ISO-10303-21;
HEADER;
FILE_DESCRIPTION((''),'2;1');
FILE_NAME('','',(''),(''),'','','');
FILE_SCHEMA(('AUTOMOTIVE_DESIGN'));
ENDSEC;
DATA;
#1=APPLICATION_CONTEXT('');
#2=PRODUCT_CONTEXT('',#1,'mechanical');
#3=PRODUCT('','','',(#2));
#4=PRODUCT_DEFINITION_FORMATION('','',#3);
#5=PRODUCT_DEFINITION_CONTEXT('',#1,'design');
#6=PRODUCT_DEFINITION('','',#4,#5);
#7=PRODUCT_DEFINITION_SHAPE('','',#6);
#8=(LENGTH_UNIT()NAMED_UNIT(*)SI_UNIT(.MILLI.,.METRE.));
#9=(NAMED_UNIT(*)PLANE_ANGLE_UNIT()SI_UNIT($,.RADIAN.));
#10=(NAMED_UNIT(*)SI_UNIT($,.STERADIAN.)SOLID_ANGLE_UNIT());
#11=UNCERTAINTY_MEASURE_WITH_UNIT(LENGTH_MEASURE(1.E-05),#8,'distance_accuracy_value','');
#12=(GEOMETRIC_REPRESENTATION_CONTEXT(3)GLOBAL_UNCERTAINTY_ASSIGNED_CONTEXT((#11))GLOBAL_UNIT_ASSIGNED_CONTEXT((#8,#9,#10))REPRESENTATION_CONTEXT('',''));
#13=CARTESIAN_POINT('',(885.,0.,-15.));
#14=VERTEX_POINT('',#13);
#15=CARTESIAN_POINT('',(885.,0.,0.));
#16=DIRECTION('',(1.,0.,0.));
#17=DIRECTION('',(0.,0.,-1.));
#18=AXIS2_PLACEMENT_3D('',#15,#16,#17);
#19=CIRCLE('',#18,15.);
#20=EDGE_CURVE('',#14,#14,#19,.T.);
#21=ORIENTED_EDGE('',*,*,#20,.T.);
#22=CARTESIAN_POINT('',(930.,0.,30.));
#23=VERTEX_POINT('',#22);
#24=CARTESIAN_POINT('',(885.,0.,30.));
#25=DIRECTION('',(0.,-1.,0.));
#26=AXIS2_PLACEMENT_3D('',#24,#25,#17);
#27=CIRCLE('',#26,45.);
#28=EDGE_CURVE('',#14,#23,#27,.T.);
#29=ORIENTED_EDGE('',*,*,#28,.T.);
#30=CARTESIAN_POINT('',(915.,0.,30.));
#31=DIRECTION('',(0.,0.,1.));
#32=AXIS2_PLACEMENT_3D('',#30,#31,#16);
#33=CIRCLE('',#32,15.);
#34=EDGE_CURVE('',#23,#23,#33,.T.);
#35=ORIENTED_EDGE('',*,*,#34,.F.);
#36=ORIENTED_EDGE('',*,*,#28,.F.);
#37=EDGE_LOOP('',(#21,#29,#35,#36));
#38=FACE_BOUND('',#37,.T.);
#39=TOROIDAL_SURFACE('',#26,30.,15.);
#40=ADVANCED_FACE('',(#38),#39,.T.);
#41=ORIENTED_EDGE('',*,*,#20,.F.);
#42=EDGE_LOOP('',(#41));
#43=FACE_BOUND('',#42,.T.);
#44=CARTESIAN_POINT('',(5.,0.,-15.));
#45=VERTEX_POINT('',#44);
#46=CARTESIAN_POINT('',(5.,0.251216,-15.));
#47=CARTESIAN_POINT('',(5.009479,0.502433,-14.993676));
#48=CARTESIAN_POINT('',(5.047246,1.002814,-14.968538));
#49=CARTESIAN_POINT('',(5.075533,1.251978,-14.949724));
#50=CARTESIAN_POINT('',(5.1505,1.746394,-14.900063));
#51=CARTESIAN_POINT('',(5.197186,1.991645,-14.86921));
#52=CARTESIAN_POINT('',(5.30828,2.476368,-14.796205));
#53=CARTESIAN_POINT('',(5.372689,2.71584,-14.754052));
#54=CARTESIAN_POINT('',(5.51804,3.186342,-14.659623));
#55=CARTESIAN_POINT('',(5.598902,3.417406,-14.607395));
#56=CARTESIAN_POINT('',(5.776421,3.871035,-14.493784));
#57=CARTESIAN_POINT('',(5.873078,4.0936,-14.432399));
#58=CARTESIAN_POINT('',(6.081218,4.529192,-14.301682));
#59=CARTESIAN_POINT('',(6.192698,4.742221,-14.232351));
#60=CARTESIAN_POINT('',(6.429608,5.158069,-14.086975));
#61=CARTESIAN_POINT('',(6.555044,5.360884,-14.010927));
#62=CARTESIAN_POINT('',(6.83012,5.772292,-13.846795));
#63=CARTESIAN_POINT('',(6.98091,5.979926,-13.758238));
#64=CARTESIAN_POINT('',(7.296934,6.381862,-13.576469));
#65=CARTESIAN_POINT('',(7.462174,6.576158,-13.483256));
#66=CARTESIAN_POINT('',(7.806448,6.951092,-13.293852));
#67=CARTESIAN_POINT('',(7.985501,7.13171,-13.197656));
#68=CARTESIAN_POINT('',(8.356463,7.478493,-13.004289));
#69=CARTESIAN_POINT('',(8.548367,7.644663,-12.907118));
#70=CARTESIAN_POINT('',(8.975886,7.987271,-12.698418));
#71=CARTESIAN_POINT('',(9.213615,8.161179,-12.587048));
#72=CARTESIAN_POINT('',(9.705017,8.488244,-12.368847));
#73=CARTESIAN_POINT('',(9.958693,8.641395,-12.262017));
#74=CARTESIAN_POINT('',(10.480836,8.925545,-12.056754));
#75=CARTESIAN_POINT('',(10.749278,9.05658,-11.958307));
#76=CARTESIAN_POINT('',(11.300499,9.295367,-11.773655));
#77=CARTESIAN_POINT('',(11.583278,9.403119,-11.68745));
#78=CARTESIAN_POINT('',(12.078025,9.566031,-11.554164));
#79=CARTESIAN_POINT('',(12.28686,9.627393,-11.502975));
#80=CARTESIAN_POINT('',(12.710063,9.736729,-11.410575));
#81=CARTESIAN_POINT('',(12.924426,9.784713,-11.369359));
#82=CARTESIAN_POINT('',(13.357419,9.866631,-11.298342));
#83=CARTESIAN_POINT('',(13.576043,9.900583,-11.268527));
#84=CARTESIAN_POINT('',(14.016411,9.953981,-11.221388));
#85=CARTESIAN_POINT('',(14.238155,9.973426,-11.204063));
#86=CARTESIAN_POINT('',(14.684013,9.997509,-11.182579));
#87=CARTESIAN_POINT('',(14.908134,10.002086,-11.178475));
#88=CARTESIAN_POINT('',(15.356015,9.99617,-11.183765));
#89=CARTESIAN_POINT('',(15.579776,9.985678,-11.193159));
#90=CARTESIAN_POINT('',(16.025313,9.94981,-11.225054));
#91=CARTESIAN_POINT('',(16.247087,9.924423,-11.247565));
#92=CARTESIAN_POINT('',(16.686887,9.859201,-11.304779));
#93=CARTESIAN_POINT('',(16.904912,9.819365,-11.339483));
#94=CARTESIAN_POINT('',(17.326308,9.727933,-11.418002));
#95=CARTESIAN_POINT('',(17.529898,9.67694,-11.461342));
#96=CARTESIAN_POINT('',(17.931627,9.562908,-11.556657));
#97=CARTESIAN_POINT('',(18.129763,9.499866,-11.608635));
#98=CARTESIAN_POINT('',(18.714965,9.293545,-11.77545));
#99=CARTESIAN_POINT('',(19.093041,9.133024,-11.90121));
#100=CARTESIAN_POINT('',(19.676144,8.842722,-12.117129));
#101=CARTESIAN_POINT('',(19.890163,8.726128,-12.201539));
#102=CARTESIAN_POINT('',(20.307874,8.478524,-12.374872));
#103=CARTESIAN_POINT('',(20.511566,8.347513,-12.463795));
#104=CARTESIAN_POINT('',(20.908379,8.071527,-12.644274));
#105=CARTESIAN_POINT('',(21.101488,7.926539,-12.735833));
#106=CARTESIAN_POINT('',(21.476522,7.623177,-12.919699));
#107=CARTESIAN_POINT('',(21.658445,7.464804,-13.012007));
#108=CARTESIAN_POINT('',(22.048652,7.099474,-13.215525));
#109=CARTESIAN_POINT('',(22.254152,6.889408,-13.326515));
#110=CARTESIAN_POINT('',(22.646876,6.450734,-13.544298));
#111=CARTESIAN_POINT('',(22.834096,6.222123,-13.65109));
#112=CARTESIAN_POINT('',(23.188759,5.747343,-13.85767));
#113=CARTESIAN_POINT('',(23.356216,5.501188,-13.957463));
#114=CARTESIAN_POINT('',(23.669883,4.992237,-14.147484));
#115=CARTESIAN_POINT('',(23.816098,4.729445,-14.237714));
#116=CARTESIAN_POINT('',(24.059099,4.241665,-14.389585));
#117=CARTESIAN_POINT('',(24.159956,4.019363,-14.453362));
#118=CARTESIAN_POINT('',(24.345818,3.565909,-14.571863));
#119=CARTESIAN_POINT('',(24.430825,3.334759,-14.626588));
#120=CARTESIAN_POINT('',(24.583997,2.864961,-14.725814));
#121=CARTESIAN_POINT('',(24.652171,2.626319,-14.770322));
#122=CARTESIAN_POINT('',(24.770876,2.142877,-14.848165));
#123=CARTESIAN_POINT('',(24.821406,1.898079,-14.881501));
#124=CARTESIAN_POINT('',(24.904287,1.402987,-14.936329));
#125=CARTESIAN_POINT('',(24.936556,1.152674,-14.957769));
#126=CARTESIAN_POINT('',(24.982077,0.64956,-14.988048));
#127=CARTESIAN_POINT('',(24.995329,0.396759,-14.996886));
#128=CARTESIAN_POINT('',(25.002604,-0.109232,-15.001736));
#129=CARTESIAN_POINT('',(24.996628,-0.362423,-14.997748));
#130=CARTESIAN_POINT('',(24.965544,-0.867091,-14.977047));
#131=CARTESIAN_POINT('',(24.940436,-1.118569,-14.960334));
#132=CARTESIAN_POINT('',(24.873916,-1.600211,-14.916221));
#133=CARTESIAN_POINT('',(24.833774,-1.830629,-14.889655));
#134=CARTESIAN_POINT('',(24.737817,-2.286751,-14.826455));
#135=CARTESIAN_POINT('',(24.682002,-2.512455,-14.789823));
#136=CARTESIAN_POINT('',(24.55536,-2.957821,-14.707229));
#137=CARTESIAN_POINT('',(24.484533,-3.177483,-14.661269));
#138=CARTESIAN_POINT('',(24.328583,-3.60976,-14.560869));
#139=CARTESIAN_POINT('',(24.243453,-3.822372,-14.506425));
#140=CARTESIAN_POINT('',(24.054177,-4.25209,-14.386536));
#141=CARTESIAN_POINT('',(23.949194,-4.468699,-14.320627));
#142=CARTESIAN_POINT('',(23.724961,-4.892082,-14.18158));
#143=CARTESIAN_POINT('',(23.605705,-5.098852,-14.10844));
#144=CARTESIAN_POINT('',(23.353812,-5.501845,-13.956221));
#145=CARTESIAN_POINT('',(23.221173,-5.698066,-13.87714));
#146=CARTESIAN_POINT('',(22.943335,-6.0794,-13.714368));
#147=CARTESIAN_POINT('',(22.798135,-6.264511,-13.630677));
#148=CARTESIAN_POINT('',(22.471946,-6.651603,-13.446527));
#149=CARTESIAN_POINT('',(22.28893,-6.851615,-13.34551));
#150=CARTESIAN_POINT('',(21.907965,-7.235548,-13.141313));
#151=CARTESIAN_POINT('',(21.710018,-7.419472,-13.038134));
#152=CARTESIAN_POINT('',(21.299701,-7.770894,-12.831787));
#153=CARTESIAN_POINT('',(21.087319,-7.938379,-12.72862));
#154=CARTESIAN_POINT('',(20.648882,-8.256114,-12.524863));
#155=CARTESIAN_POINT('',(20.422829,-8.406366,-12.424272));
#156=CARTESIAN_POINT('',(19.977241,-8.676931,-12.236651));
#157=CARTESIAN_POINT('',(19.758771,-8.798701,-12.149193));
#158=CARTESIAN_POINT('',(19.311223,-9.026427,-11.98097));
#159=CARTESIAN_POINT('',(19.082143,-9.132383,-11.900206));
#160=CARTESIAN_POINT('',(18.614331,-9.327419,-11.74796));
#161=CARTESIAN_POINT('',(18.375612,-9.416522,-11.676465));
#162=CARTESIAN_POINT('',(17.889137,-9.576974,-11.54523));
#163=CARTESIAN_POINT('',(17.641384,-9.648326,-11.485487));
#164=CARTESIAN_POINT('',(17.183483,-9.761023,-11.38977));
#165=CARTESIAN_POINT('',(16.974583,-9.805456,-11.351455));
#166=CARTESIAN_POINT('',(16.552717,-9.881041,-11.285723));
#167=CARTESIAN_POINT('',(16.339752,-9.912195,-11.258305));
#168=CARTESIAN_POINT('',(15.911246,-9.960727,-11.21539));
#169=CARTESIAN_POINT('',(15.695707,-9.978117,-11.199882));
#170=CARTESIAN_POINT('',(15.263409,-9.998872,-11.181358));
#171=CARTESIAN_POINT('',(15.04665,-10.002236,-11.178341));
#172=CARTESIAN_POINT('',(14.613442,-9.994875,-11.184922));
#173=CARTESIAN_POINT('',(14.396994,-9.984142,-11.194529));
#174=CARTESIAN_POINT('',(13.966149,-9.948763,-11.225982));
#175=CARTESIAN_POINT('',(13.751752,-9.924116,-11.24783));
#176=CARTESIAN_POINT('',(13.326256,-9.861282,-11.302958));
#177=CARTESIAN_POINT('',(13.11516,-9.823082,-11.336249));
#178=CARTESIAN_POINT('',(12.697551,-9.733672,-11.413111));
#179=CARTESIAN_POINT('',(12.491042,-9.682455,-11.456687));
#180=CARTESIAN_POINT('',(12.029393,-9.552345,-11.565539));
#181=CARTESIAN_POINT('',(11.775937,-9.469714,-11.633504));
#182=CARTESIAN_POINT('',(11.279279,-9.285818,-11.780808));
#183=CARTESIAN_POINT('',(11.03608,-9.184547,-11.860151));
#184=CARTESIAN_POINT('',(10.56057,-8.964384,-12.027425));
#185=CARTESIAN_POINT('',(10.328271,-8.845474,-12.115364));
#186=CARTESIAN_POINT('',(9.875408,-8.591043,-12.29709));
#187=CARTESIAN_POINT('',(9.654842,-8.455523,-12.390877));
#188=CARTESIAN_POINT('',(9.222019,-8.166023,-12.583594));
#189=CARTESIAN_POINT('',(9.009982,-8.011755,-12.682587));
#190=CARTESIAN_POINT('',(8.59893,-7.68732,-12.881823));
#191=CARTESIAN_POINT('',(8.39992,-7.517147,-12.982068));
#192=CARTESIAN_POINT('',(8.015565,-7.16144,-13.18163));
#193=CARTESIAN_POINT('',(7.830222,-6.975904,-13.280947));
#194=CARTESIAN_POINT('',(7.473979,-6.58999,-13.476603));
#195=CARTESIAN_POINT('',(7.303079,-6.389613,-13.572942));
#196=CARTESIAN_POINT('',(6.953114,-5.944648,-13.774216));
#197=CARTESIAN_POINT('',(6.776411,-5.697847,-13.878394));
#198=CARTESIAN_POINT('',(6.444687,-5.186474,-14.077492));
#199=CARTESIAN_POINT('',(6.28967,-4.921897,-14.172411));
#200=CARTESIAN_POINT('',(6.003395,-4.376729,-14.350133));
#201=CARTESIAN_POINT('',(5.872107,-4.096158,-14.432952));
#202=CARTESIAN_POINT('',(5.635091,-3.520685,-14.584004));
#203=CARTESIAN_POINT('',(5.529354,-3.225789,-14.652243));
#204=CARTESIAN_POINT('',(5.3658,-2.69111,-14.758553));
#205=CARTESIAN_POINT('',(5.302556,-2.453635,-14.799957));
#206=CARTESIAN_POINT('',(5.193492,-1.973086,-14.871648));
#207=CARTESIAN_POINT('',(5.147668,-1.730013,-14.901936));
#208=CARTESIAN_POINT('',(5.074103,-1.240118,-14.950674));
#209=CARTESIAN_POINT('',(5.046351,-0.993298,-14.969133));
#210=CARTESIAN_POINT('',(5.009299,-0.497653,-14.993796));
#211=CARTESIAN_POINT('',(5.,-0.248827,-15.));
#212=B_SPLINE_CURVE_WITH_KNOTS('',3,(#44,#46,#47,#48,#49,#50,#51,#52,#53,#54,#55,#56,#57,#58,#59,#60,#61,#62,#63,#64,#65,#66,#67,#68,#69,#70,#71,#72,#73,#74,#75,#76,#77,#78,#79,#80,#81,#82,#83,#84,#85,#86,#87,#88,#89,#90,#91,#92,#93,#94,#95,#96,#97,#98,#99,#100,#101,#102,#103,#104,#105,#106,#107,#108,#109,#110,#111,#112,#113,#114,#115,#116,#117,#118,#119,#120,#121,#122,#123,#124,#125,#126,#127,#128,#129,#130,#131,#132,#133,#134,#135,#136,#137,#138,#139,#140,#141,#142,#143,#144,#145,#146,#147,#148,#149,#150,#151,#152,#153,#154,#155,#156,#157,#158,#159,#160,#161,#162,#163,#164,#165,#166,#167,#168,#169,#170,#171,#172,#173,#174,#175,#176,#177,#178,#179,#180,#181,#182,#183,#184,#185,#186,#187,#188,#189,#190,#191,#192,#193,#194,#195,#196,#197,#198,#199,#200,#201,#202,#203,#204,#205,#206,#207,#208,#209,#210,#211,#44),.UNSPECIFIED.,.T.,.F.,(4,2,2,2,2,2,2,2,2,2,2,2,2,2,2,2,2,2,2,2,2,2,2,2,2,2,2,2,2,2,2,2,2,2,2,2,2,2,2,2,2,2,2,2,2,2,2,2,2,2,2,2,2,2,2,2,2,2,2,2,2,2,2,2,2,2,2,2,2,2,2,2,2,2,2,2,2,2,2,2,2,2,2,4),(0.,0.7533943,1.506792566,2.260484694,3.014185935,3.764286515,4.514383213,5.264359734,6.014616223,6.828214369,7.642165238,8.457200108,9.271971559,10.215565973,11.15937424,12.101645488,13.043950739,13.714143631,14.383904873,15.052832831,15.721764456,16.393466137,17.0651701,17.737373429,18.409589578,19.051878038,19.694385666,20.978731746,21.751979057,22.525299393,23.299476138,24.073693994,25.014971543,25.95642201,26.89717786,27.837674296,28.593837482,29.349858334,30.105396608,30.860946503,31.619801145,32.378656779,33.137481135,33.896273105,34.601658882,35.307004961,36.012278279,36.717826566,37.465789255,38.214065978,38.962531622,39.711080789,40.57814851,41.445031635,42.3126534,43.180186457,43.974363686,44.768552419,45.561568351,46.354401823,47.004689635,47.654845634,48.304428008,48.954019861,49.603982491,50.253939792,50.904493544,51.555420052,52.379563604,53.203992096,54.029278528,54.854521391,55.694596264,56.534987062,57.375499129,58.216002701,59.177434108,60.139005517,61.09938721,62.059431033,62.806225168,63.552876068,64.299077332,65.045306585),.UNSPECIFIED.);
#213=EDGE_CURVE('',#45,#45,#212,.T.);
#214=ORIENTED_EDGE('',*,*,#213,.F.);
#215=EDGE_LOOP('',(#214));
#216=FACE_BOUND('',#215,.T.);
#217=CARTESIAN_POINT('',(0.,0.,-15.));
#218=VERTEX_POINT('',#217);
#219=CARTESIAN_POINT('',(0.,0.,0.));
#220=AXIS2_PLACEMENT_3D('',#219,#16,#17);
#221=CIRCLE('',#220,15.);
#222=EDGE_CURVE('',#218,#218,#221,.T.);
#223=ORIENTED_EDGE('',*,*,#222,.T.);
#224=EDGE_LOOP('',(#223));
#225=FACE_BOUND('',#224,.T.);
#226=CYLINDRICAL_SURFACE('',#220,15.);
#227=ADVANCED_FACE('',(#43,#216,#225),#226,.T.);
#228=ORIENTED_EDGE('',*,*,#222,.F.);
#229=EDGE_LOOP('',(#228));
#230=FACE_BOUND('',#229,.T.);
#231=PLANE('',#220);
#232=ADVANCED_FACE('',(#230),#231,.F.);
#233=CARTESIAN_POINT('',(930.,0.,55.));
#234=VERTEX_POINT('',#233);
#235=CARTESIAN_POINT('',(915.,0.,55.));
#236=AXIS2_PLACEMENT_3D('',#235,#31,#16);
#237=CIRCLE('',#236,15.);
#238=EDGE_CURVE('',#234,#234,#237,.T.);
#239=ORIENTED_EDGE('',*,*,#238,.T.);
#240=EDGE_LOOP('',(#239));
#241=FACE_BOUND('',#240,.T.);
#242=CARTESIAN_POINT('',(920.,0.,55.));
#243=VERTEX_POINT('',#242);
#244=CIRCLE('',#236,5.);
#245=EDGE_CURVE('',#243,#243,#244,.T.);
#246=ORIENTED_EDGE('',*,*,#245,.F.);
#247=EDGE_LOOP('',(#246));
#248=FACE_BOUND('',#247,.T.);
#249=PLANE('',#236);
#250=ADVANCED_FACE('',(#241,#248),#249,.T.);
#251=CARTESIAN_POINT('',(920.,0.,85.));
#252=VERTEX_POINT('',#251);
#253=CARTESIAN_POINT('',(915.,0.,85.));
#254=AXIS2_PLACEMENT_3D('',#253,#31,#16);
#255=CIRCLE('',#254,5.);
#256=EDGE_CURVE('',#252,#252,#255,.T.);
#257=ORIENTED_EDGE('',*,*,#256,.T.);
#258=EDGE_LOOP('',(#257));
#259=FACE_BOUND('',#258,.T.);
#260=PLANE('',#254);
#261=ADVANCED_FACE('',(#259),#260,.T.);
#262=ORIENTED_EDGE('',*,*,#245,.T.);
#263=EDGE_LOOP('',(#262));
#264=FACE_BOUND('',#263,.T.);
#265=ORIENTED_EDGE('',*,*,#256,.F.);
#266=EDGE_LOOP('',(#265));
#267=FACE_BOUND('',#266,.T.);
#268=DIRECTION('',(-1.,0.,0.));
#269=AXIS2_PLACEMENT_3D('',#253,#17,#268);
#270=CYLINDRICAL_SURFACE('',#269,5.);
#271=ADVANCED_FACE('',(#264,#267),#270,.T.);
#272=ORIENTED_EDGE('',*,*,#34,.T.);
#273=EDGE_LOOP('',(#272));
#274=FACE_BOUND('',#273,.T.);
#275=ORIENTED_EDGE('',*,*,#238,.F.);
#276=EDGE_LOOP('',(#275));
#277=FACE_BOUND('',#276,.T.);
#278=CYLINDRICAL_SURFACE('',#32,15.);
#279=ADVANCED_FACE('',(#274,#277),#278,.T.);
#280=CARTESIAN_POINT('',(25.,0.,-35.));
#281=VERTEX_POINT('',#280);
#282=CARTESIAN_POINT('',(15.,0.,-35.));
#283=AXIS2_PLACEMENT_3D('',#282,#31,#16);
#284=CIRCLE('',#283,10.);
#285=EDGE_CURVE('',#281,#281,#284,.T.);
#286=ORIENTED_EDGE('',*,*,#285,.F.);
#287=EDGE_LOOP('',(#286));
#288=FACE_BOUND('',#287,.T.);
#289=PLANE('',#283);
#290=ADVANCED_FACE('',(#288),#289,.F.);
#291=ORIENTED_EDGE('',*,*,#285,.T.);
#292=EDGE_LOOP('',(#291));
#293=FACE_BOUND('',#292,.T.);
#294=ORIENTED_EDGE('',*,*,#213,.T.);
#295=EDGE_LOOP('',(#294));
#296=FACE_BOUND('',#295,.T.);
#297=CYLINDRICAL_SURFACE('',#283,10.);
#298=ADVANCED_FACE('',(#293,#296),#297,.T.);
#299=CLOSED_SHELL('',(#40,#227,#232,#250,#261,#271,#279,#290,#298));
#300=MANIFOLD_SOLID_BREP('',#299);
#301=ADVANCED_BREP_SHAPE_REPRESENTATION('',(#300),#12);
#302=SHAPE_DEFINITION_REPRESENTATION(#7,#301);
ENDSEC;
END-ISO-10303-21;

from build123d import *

# Parameters (mm, degrees)
SKETCH2_R           = 15
SKETCH3_R           = 5
BOSS_EXTRUDE1_DEPTH = 30
SKETCH4_R           = 10
BOSS_EXTRUDE2_DEPTH = 35


with BuildPart() as part:
    # Sweep2: sweep along a path in Sketch1
    with BuildLine(Plane(origin=(0, 0, 0), x_dir=(1, 0, 0), z_dir=(0, 1, 0))) as sweep2_path:
        Line((0, 0), (885, 0))
        ThreePointArc((885, 0), (906.213203436, -8.786796564), (915, -30))
        Line((915, -30), (915, -55))
    # Sketch2 → Sweep2 (sweep)
    with BuildSketch(Plane(origin=(0, 0, 0), x_dir=(0, 0, -1), z_dir=(1, 0, 0))):
        Circle(SKETCH2_R)
    sweep(path=sweep2_path.line)

    # Sketch3 → Boss-Extrude1 (add)
    with BuildSketch(Plane.XY.offset(55)):
        with Locations((915, 0)):
            Circle(SKETCH3_R)
    extrude(amount=BOSS_EXTRUDE1_DEPTH)

    # Sketch4 → Boss-Extrude2 (add)
    with BuildSketch(Plane.XY):
        with Locations((15, 0)):
            Circle(SKETCH4_R)
    extrude(amount=-BOSS_EXTRUDE2_DEPTH)


solid = part.part
